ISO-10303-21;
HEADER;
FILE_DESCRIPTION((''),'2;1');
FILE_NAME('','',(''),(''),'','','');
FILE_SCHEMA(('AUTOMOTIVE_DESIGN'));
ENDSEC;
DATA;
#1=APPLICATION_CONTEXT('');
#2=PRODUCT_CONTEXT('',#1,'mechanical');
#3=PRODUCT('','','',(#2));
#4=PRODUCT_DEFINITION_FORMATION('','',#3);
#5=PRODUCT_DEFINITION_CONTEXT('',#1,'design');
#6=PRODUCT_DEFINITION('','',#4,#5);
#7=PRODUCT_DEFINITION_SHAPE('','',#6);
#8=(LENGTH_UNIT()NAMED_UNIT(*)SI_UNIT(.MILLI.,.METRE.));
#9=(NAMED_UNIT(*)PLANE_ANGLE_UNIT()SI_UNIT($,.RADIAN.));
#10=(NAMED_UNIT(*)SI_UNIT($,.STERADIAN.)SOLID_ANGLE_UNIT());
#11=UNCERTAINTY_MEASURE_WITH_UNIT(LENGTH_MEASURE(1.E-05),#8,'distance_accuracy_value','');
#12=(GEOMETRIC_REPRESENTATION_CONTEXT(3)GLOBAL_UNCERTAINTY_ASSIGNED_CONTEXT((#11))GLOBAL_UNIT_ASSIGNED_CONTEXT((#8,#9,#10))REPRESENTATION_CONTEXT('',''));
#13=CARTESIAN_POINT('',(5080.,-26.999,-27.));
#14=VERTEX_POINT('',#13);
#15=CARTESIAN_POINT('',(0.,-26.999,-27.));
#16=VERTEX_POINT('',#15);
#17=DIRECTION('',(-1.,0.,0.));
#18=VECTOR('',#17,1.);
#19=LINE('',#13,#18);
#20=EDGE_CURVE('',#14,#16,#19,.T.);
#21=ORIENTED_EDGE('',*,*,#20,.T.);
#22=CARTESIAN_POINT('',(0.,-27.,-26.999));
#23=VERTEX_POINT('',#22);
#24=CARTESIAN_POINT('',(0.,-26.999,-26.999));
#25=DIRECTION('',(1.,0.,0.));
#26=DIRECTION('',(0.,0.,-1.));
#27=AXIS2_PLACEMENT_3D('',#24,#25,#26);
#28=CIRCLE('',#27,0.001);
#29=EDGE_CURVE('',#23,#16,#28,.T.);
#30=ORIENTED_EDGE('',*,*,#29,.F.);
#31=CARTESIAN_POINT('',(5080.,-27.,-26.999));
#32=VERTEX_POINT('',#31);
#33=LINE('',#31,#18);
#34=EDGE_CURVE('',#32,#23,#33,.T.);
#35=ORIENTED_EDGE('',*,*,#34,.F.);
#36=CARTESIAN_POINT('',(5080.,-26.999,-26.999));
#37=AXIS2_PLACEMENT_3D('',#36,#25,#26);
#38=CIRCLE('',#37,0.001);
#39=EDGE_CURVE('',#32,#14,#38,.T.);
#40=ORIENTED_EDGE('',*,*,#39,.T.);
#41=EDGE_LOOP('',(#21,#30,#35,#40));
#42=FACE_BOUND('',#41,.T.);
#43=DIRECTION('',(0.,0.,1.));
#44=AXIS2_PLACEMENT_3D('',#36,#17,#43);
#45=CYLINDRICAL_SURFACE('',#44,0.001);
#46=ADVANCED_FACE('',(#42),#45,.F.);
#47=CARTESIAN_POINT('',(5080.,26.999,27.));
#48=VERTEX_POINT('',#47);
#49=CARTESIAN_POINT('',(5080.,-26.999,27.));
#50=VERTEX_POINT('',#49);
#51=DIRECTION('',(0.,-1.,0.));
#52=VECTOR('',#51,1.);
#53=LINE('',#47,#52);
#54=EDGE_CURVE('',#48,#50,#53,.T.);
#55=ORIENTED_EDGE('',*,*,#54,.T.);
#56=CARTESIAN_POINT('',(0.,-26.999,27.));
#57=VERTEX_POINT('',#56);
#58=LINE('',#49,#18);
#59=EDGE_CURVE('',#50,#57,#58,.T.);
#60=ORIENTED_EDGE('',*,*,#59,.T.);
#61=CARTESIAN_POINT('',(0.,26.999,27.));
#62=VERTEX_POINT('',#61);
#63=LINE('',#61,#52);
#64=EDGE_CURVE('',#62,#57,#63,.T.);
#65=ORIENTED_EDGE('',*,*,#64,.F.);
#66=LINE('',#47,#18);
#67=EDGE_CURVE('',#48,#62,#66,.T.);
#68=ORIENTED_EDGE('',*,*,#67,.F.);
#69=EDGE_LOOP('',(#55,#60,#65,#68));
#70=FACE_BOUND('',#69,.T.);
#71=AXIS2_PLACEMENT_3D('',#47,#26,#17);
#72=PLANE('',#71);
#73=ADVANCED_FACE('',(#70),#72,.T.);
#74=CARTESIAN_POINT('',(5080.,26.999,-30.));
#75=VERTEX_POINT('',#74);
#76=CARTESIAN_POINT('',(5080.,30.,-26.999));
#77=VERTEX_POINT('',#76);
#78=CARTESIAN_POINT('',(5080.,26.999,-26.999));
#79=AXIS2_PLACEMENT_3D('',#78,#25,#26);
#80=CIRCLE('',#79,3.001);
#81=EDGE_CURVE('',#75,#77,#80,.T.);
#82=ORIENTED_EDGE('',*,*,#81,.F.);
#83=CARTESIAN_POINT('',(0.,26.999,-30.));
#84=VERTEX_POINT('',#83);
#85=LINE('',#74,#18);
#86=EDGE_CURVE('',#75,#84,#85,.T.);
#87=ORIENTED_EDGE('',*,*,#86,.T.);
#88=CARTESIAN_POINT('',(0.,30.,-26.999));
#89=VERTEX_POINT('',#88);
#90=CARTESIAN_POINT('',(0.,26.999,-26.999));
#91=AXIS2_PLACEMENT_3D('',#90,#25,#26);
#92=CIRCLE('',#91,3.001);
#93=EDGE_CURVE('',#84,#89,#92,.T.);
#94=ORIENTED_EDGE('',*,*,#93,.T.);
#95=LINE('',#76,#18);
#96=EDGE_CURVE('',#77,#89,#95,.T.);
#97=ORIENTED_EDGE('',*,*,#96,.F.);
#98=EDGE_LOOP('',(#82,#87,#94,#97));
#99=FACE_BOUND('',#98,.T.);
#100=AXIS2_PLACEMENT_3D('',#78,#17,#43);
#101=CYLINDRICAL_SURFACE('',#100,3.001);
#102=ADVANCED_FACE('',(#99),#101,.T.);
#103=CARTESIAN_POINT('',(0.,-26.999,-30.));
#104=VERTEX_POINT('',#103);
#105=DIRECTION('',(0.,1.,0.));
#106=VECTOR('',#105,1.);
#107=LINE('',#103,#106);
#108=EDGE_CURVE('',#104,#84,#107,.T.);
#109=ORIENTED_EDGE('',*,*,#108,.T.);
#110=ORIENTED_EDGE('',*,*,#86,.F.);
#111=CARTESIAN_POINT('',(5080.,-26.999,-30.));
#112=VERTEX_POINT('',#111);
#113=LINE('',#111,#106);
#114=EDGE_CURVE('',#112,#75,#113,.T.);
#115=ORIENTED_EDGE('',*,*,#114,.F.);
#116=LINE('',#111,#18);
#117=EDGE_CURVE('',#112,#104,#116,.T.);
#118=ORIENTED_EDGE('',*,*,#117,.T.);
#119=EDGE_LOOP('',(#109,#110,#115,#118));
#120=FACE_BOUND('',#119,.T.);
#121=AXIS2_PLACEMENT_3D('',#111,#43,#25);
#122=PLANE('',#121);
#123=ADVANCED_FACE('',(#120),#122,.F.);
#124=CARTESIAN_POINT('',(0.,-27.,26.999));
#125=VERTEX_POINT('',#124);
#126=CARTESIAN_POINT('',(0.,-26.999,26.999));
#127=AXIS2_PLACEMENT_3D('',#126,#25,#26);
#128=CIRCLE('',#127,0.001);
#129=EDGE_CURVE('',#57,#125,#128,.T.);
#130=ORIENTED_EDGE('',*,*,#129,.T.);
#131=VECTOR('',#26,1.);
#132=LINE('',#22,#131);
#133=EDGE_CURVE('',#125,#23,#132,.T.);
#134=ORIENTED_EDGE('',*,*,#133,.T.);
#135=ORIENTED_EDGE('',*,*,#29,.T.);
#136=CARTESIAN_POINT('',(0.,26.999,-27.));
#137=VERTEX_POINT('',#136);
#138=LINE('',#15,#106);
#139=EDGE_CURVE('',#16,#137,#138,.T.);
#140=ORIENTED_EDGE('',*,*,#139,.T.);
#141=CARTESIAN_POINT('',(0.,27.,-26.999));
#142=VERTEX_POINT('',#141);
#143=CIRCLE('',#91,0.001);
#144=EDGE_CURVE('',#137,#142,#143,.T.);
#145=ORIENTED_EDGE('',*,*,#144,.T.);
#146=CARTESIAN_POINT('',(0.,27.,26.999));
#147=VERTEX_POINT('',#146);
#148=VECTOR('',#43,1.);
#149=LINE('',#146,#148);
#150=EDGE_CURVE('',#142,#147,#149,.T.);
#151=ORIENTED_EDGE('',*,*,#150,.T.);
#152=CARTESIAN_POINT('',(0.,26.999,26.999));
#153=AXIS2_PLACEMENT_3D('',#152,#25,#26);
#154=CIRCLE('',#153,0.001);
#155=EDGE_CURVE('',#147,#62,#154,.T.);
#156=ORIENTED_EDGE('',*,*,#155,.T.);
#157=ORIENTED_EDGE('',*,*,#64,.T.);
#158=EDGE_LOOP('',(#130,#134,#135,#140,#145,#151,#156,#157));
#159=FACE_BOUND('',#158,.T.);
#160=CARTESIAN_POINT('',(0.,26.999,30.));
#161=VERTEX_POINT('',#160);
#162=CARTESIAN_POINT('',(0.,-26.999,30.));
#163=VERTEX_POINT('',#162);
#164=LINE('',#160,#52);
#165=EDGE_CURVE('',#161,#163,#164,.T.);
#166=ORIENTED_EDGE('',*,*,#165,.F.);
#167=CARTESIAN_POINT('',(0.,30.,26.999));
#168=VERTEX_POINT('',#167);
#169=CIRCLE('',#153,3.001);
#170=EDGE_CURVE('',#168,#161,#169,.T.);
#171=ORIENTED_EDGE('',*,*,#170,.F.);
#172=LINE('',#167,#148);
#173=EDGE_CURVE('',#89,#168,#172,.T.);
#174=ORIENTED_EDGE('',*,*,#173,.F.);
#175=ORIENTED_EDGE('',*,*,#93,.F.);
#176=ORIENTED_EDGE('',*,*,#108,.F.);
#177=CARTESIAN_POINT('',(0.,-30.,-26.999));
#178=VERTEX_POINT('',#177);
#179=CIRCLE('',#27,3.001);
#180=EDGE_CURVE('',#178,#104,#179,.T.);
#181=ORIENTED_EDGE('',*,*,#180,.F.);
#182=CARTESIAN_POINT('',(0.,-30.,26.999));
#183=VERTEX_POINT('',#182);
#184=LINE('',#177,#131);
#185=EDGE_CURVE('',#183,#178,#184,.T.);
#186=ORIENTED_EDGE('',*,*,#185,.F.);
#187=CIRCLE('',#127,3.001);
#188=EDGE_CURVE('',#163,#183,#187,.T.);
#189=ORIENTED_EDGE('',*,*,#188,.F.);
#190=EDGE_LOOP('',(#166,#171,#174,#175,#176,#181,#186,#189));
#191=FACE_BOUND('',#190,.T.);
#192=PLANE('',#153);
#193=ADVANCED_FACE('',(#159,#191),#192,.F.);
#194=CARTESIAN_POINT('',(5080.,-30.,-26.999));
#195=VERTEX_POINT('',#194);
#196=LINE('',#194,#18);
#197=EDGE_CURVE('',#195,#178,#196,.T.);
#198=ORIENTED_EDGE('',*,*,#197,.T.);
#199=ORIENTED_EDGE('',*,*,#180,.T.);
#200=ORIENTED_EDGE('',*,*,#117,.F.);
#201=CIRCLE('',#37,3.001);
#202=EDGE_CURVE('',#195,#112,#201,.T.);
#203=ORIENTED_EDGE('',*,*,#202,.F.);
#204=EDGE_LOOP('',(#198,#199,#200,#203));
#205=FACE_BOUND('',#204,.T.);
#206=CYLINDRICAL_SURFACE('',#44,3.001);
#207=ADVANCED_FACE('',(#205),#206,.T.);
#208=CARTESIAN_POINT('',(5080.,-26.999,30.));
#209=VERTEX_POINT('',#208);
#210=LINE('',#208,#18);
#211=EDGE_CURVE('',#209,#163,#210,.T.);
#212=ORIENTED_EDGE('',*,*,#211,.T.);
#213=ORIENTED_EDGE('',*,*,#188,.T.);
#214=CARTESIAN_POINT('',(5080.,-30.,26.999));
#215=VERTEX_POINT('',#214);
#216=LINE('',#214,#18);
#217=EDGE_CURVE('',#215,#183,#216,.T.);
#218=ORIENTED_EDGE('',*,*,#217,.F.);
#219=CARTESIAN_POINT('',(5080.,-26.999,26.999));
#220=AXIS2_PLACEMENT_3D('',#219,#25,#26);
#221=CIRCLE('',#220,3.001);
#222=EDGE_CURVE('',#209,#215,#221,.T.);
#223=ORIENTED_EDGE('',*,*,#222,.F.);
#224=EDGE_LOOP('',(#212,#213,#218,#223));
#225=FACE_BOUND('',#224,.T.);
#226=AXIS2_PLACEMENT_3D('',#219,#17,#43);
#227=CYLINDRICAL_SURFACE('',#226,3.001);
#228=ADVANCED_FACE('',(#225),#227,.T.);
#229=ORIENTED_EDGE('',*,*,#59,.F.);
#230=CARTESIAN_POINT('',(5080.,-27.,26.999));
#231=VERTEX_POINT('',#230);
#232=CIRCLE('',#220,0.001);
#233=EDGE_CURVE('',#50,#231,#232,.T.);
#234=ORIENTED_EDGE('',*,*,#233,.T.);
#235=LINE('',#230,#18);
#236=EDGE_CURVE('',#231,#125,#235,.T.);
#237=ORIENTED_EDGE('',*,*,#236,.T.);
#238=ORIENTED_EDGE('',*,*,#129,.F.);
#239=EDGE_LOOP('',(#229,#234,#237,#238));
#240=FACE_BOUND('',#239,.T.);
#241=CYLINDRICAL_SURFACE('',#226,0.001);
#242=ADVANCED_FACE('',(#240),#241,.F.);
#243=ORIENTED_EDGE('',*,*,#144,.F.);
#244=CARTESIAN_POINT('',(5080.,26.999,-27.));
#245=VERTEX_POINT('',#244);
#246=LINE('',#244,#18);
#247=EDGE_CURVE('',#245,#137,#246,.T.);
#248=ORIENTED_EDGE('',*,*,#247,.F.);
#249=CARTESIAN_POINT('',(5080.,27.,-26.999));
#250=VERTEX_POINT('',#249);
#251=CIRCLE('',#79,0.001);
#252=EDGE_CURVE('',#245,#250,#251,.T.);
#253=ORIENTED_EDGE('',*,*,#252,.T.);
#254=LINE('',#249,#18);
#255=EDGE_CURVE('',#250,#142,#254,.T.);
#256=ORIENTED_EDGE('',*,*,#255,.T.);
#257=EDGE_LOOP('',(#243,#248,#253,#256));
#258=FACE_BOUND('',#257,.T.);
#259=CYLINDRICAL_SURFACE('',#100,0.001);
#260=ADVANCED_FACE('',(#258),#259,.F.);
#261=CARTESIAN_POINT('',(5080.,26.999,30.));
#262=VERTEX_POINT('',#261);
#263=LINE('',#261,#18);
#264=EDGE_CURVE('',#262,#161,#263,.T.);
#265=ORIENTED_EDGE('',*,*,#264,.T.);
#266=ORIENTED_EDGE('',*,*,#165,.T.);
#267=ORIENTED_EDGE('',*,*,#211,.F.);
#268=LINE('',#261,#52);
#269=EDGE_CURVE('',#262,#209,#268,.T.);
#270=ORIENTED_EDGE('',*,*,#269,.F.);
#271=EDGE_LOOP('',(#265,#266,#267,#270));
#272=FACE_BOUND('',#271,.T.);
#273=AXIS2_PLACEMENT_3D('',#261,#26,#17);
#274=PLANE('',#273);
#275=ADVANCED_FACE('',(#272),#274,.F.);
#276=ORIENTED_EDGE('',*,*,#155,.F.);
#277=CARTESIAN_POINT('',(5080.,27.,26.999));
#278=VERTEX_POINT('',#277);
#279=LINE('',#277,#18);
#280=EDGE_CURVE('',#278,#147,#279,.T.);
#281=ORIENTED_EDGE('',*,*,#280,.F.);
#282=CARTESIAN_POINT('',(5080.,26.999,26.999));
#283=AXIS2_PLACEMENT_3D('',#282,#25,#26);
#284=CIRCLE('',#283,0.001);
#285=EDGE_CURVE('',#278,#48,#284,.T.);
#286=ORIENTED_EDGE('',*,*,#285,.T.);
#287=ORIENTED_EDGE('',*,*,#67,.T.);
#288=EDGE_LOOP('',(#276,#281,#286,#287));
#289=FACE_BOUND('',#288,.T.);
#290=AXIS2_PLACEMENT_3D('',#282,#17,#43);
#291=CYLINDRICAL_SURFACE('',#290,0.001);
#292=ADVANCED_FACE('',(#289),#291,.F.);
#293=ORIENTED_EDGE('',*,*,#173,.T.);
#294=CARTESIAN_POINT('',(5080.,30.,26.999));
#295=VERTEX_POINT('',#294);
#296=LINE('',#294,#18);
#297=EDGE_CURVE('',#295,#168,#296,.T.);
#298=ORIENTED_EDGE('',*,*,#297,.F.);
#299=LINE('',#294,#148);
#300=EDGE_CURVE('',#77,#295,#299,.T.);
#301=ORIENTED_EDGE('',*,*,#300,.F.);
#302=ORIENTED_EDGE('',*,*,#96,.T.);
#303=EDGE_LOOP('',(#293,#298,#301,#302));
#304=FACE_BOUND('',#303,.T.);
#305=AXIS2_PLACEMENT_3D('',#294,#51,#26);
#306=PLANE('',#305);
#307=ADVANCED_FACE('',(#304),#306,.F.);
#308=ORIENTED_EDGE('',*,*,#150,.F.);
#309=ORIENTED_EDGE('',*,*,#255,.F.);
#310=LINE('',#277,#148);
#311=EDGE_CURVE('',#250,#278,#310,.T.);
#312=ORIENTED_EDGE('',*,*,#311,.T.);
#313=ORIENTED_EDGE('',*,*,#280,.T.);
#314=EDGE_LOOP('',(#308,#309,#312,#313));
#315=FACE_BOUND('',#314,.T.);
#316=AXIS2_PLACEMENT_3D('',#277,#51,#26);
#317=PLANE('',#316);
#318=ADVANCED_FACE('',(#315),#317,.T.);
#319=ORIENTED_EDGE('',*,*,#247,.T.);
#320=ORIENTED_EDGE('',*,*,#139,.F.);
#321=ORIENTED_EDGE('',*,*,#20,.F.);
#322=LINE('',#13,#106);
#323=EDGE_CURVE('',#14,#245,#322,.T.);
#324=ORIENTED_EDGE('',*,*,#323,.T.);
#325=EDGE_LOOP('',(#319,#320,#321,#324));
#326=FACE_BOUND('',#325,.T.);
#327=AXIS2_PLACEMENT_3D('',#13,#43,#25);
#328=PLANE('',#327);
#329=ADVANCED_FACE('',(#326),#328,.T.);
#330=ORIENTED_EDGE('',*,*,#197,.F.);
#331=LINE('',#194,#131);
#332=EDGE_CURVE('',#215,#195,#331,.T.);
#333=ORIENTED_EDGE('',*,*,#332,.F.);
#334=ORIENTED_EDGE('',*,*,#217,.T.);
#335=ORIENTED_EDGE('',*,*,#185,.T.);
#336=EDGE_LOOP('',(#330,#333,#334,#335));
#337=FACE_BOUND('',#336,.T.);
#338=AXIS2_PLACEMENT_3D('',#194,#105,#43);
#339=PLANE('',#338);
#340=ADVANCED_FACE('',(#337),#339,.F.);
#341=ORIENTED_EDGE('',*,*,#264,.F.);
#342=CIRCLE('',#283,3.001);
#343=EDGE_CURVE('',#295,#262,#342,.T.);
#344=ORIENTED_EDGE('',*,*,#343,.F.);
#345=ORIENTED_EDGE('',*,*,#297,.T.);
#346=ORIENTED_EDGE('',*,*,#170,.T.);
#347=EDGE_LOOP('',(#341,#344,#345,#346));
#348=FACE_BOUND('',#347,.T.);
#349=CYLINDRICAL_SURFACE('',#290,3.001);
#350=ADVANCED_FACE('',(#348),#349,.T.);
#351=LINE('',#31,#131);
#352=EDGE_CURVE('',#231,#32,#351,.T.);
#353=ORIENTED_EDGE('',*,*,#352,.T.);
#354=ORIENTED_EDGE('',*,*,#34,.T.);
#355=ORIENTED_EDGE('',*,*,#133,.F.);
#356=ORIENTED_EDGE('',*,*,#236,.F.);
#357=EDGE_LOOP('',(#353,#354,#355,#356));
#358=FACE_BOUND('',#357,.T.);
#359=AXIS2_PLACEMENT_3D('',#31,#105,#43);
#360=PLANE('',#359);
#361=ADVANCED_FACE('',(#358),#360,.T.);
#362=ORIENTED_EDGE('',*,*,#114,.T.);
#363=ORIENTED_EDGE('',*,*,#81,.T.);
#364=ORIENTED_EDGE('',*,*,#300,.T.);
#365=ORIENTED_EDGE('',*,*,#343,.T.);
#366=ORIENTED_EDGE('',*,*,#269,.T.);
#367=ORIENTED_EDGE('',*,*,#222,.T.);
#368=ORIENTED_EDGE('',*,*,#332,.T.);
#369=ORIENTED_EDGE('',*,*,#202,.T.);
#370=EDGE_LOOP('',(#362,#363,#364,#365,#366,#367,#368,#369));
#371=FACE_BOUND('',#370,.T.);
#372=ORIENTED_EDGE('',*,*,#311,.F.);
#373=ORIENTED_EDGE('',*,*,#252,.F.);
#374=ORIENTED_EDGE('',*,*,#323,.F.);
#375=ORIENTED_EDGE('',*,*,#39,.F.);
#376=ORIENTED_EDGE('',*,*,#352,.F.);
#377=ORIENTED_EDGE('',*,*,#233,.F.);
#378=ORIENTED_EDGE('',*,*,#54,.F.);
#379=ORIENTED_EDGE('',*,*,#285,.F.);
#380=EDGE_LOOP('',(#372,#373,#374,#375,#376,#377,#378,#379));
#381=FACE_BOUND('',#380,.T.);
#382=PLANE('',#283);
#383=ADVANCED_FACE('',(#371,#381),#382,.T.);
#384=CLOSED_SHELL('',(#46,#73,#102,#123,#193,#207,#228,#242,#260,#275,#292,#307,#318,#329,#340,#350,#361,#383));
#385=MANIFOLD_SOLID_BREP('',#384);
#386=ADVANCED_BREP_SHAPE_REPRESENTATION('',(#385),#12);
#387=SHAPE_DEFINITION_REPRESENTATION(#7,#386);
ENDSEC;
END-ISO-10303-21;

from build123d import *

# Parameters (mm, degrees)
F_8639_82_60_X_60_X_3_0_1_DEPTH = 5080


with BuildPart() as part:
    # Sketch1 → Квадратная труба гост 8639-82 _60 X 60 X 3.0(1) (new body)
    with BuildSketch(Plane.YZ):
        with BuildLine():
            Line((-26.999, -30), (26.999, -30))
            ThreePointArc((26.999, -30), (29.12102745, -29.12102745), (30, -26.999))
            Line((30, -26.999), (30, 26.999))
            ThreePointArc((30, 26.999), (29.12102745, 29.12102745), (26.999, 30))
            Line((26.999, 30), (-26.999, 30))
            ThreePointArc((-26.999, 30), (-29.12102745, 29.12102745), (-30, 26.999))
            Line((-30, 26.999), (-30, -26.999))
            ThreePointArc((-30, -26.999), (-29.12102745, -29.12102745), (-26.999, -30))
        make_face()
        with BuildLine():
            Line((-26.999, -27), (26.999, -27))
            ThreePointArc((26.999, -27), (26.999707107, -26.999707107), (27, -26.999))
            Line((27, -26.999), (27, 26.999))
            ThreePointArc((27, 26.999), (26.999707107, 26.999707107), (26.999, 27))
            Line((26.999, 27), (-26.999, 27))
            ThreePointArc((-26.999, 27), (-26.999707107, 26.999707107), (-27, 26.999))
            Line((-27, 26.999), (-27, -26.999))
            ThreePointArc((-27, -26.999), (-26.999707107, -26.999707107), (-26.999, -27))
        make_face(mode=Mode.SUBTRACT)
    extrude(amount=F_8639_82_60_X_60_X_3_0_1_DEPTH)


solid = part.part
